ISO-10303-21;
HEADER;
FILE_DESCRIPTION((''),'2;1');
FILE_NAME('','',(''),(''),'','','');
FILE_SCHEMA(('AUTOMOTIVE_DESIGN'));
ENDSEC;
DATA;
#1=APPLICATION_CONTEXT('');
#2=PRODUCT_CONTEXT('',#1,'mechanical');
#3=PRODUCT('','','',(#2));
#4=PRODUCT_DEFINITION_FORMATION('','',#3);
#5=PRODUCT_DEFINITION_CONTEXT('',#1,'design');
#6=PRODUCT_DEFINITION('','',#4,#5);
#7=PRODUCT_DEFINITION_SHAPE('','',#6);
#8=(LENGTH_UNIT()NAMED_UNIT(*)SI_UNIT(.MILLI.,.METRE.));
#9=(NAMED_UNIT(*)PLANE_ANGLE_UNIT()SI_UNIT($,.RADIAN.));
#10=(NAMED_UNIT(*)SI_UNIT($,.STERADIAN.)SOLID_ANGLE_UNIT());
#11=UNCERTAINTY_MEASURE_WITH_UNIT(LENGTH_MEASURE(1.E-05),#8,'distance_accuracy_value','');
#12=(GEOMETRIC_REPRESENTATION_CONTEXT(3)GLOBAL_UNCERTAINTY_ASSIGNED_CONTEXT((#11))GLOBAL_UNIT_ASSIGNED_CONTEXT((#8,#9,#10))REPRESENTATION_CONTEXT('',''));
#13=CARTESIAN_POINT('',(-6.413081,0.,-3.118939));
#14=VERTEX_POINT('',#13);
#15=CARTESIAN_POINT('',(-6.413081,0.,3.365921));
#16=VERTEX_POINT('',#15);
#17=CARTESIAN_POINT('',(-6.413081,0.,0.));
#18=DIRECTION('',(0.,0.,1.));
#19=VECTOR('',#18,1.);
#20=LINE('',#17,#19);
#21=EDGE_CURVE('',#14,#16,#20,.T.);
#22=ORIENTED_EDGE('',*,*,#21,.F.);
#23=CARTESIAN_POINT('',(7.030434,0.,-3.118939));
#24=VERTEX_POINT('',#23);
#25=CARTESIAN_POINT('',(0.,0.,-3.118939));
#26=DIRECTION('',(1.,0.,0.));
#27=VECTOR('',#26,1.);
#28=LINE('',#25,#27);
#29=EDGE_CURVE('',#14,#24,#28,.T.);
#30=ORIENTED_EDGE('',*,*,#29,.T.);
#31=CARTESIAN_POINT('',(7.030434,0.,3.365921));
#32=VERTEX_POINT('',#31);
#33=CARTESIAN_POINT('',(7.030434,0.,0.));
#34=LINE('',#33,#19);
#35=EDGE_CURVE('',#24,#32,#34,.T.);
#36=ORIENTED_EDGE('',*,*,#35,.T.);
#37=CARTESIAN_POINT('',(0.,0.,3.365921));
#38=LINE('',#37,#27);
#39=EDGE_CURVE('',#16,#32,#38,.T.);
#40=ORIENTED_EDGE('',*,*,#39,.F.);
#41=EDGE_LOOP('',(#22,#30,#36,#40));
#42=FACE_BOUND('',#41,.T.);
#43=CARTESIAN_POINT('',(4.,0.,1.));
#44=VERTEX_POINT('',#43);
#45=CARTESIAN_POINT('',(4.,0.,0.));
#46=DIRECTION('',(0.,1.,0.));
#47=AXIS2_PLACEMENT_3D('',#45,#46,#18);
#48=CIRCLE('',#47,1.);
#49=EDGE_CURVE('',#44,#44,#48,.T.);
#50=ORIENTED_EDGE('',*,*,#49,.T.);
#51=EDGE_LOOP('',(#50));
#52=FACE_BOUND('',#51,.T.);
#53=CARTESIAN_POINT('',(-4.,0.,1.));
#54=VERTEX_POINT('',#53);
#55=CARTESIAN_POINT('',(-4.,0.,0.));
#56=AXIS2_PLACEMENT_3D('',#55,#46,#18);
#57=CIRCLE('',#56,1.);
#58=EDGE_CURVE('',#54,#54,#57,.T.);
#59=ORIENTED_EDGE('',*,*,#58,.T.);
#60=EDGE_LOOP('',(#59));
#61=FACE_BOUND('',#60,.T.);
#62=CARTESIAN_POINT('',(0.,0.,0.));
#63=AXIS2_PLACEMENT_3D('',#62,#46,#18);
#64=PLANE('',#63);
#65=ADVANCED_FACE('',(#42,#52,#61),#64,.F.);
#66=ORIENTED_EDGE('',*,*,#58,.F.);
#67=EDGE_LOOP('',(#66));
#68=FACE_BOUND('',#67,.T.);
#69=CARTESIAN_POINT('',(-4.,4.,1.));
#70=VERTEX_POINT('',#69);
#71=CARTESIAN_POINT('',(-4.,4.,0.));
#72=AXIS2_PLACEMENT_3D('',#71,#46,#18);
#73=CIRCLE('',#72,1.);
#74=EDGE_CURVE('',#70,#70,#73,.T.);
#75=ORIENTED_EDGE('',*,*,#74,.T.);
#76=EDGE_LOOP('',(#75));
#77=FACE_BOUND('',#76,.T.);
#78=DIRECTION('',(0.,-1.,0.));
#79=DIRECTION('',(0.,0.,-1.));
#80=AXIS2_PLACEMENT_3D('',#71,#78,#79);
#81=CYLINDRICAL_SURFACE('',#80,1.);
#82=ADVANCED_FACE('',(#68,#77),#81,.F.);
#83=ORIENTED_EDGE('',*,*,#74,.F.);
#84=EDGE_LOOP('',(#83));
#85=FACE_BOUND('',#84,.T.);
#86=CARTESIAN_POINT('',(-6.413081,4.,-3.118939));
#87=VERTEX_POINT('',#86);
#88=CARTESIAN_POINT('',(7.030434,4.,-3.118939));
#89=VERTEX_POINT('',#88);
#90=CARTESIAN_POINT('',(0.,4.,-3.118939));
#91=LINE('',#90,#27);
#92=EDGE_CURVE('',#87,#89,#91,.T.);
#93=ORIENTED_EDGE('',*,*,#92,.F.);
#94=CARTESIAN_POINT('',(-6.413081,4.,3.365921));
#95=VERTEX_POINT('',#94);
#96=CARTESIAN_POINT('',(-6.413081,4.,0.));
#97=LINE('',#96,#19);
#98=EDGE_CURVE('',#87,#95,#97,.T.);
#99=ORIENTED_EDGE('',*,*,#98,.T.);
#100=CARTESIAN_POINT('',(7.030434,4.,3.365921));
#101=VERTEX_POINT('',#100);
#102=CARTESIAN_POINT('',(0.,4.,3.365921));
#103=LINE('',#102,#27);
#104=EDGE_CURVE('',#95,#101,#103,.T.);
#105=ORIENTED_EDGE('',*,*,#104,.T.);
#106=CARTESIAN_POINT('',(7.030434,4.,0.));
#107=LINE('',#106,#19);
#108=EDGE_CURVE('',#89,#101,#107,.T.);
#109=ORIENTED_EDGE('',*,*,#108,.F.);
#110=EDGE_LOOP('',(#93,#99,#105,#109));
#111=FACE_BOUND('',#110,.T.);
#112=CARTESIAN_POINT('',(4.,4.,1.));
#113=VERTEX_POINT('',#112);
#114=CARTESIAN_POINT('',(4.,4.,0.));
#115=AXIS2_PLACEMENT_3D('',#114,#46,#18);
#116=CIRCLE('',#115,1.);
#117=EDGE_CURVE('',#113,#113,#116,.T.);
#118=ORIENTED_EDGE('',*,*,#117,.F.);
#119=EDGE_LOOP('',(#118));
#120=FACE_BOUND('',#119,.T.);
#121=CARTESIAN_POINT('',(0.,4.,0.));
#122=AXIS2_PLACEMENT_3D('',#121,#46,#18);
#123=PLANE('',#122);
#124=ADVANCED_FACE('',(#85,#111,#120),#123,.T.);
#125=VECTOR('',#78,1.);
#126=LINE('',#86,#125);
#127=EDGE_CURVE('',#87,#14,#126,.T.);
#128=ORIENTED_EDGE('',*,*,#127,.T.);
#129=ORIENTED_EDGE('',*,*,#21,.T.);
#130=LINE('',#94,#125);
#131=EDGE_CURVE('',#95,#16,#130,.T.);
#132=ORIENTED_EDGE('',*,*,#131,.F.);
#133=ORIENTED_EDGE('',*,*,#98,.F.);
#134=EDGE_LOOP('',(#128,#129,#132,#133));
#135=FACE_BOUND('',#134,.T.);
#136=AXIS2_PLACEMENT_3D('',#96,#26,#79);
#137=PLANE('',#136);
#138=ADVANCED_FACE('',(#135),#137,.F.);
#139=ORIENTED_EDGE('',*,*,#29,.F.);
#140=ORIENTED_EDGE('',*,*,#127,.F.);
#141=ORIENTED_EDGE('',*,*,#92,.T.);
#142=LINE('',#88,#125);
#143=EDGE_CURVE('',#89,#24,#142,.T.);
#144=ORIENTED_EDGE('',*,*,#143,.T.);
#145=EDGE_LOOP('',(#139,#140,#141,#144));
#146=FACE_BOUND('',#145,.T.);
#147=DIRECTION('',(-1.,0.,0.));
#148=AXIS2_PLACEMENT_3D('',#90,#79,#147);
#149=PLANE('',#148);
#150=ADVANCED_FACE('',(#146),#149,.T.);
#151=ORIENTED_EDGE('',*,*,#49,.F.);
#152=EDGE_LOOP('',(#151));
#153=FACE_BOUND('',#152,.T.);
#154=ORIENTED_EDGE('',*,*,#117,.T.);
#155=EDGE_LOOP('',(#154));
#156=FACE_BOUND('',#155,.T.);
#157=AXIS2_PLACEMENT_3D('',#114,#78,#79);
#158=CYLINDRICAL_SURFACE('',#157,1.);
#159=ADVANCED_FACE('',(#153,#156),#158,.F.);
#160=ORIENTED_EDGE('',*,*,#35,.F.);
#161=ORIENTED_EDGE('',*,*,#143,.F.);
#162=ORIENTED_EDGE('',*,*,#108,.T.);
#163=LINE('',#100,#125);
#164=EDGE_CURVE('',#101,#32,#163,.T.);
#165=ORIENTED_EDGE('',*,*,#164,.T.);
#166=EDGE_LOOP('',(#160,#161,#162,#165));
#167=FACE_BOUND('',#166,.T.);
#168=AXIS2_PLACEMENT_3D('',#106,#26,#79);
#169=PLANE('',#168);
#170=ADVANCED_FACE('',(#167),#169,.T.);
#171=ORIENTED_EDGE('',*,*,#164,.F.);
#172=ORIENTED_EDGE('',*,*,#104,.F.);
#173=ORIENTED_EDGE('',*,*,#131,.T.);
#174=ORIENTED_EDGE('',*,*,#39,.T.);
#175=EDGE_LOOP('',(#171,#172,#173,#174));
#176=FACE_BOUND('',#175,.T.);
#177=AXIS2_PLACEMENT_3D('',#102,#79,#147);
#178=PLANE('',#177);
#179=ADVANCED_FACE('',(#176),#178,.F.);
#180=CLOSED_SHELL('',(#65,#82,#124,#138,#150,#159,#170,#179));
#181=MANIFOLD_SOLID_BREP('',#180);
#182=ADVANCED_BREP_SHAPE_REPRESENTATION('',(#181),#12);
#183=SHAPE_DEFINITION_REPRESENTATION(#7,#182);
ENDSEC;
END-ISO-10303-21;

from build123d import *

# Parameters (mm, degrees)
SKETCH1_W           = 13.443515321
SKETCH1_H           = 6.48485985
SKETCH1_R           = 1
BOSS_EXTRUDE1_DEPTH = 4


with BuildPart() as part:
    # Sketch1 → Boss-Extrude1 (new body)
    with BuildSketch(Plane(origin=(0, 0, 0), x_dir=(1, 0, 0), z_dir=(0, 1, 0))):
        with Locations((0.308676607, -0.123491193)):
            Rectangle(SKETCH1_W, SKETCH1_H)
        with Locations((-4, 0)):
            Circle(SKETCH1_R, mode=Mode.SUBTRACT)
        with Locations((4, 0)):
            Circle(SKETCH1_R, mode=Mode.SUBTRACT)
    extrude(amount=BOSS_EXTRUDE1_DEPTH)


solid = part.part
